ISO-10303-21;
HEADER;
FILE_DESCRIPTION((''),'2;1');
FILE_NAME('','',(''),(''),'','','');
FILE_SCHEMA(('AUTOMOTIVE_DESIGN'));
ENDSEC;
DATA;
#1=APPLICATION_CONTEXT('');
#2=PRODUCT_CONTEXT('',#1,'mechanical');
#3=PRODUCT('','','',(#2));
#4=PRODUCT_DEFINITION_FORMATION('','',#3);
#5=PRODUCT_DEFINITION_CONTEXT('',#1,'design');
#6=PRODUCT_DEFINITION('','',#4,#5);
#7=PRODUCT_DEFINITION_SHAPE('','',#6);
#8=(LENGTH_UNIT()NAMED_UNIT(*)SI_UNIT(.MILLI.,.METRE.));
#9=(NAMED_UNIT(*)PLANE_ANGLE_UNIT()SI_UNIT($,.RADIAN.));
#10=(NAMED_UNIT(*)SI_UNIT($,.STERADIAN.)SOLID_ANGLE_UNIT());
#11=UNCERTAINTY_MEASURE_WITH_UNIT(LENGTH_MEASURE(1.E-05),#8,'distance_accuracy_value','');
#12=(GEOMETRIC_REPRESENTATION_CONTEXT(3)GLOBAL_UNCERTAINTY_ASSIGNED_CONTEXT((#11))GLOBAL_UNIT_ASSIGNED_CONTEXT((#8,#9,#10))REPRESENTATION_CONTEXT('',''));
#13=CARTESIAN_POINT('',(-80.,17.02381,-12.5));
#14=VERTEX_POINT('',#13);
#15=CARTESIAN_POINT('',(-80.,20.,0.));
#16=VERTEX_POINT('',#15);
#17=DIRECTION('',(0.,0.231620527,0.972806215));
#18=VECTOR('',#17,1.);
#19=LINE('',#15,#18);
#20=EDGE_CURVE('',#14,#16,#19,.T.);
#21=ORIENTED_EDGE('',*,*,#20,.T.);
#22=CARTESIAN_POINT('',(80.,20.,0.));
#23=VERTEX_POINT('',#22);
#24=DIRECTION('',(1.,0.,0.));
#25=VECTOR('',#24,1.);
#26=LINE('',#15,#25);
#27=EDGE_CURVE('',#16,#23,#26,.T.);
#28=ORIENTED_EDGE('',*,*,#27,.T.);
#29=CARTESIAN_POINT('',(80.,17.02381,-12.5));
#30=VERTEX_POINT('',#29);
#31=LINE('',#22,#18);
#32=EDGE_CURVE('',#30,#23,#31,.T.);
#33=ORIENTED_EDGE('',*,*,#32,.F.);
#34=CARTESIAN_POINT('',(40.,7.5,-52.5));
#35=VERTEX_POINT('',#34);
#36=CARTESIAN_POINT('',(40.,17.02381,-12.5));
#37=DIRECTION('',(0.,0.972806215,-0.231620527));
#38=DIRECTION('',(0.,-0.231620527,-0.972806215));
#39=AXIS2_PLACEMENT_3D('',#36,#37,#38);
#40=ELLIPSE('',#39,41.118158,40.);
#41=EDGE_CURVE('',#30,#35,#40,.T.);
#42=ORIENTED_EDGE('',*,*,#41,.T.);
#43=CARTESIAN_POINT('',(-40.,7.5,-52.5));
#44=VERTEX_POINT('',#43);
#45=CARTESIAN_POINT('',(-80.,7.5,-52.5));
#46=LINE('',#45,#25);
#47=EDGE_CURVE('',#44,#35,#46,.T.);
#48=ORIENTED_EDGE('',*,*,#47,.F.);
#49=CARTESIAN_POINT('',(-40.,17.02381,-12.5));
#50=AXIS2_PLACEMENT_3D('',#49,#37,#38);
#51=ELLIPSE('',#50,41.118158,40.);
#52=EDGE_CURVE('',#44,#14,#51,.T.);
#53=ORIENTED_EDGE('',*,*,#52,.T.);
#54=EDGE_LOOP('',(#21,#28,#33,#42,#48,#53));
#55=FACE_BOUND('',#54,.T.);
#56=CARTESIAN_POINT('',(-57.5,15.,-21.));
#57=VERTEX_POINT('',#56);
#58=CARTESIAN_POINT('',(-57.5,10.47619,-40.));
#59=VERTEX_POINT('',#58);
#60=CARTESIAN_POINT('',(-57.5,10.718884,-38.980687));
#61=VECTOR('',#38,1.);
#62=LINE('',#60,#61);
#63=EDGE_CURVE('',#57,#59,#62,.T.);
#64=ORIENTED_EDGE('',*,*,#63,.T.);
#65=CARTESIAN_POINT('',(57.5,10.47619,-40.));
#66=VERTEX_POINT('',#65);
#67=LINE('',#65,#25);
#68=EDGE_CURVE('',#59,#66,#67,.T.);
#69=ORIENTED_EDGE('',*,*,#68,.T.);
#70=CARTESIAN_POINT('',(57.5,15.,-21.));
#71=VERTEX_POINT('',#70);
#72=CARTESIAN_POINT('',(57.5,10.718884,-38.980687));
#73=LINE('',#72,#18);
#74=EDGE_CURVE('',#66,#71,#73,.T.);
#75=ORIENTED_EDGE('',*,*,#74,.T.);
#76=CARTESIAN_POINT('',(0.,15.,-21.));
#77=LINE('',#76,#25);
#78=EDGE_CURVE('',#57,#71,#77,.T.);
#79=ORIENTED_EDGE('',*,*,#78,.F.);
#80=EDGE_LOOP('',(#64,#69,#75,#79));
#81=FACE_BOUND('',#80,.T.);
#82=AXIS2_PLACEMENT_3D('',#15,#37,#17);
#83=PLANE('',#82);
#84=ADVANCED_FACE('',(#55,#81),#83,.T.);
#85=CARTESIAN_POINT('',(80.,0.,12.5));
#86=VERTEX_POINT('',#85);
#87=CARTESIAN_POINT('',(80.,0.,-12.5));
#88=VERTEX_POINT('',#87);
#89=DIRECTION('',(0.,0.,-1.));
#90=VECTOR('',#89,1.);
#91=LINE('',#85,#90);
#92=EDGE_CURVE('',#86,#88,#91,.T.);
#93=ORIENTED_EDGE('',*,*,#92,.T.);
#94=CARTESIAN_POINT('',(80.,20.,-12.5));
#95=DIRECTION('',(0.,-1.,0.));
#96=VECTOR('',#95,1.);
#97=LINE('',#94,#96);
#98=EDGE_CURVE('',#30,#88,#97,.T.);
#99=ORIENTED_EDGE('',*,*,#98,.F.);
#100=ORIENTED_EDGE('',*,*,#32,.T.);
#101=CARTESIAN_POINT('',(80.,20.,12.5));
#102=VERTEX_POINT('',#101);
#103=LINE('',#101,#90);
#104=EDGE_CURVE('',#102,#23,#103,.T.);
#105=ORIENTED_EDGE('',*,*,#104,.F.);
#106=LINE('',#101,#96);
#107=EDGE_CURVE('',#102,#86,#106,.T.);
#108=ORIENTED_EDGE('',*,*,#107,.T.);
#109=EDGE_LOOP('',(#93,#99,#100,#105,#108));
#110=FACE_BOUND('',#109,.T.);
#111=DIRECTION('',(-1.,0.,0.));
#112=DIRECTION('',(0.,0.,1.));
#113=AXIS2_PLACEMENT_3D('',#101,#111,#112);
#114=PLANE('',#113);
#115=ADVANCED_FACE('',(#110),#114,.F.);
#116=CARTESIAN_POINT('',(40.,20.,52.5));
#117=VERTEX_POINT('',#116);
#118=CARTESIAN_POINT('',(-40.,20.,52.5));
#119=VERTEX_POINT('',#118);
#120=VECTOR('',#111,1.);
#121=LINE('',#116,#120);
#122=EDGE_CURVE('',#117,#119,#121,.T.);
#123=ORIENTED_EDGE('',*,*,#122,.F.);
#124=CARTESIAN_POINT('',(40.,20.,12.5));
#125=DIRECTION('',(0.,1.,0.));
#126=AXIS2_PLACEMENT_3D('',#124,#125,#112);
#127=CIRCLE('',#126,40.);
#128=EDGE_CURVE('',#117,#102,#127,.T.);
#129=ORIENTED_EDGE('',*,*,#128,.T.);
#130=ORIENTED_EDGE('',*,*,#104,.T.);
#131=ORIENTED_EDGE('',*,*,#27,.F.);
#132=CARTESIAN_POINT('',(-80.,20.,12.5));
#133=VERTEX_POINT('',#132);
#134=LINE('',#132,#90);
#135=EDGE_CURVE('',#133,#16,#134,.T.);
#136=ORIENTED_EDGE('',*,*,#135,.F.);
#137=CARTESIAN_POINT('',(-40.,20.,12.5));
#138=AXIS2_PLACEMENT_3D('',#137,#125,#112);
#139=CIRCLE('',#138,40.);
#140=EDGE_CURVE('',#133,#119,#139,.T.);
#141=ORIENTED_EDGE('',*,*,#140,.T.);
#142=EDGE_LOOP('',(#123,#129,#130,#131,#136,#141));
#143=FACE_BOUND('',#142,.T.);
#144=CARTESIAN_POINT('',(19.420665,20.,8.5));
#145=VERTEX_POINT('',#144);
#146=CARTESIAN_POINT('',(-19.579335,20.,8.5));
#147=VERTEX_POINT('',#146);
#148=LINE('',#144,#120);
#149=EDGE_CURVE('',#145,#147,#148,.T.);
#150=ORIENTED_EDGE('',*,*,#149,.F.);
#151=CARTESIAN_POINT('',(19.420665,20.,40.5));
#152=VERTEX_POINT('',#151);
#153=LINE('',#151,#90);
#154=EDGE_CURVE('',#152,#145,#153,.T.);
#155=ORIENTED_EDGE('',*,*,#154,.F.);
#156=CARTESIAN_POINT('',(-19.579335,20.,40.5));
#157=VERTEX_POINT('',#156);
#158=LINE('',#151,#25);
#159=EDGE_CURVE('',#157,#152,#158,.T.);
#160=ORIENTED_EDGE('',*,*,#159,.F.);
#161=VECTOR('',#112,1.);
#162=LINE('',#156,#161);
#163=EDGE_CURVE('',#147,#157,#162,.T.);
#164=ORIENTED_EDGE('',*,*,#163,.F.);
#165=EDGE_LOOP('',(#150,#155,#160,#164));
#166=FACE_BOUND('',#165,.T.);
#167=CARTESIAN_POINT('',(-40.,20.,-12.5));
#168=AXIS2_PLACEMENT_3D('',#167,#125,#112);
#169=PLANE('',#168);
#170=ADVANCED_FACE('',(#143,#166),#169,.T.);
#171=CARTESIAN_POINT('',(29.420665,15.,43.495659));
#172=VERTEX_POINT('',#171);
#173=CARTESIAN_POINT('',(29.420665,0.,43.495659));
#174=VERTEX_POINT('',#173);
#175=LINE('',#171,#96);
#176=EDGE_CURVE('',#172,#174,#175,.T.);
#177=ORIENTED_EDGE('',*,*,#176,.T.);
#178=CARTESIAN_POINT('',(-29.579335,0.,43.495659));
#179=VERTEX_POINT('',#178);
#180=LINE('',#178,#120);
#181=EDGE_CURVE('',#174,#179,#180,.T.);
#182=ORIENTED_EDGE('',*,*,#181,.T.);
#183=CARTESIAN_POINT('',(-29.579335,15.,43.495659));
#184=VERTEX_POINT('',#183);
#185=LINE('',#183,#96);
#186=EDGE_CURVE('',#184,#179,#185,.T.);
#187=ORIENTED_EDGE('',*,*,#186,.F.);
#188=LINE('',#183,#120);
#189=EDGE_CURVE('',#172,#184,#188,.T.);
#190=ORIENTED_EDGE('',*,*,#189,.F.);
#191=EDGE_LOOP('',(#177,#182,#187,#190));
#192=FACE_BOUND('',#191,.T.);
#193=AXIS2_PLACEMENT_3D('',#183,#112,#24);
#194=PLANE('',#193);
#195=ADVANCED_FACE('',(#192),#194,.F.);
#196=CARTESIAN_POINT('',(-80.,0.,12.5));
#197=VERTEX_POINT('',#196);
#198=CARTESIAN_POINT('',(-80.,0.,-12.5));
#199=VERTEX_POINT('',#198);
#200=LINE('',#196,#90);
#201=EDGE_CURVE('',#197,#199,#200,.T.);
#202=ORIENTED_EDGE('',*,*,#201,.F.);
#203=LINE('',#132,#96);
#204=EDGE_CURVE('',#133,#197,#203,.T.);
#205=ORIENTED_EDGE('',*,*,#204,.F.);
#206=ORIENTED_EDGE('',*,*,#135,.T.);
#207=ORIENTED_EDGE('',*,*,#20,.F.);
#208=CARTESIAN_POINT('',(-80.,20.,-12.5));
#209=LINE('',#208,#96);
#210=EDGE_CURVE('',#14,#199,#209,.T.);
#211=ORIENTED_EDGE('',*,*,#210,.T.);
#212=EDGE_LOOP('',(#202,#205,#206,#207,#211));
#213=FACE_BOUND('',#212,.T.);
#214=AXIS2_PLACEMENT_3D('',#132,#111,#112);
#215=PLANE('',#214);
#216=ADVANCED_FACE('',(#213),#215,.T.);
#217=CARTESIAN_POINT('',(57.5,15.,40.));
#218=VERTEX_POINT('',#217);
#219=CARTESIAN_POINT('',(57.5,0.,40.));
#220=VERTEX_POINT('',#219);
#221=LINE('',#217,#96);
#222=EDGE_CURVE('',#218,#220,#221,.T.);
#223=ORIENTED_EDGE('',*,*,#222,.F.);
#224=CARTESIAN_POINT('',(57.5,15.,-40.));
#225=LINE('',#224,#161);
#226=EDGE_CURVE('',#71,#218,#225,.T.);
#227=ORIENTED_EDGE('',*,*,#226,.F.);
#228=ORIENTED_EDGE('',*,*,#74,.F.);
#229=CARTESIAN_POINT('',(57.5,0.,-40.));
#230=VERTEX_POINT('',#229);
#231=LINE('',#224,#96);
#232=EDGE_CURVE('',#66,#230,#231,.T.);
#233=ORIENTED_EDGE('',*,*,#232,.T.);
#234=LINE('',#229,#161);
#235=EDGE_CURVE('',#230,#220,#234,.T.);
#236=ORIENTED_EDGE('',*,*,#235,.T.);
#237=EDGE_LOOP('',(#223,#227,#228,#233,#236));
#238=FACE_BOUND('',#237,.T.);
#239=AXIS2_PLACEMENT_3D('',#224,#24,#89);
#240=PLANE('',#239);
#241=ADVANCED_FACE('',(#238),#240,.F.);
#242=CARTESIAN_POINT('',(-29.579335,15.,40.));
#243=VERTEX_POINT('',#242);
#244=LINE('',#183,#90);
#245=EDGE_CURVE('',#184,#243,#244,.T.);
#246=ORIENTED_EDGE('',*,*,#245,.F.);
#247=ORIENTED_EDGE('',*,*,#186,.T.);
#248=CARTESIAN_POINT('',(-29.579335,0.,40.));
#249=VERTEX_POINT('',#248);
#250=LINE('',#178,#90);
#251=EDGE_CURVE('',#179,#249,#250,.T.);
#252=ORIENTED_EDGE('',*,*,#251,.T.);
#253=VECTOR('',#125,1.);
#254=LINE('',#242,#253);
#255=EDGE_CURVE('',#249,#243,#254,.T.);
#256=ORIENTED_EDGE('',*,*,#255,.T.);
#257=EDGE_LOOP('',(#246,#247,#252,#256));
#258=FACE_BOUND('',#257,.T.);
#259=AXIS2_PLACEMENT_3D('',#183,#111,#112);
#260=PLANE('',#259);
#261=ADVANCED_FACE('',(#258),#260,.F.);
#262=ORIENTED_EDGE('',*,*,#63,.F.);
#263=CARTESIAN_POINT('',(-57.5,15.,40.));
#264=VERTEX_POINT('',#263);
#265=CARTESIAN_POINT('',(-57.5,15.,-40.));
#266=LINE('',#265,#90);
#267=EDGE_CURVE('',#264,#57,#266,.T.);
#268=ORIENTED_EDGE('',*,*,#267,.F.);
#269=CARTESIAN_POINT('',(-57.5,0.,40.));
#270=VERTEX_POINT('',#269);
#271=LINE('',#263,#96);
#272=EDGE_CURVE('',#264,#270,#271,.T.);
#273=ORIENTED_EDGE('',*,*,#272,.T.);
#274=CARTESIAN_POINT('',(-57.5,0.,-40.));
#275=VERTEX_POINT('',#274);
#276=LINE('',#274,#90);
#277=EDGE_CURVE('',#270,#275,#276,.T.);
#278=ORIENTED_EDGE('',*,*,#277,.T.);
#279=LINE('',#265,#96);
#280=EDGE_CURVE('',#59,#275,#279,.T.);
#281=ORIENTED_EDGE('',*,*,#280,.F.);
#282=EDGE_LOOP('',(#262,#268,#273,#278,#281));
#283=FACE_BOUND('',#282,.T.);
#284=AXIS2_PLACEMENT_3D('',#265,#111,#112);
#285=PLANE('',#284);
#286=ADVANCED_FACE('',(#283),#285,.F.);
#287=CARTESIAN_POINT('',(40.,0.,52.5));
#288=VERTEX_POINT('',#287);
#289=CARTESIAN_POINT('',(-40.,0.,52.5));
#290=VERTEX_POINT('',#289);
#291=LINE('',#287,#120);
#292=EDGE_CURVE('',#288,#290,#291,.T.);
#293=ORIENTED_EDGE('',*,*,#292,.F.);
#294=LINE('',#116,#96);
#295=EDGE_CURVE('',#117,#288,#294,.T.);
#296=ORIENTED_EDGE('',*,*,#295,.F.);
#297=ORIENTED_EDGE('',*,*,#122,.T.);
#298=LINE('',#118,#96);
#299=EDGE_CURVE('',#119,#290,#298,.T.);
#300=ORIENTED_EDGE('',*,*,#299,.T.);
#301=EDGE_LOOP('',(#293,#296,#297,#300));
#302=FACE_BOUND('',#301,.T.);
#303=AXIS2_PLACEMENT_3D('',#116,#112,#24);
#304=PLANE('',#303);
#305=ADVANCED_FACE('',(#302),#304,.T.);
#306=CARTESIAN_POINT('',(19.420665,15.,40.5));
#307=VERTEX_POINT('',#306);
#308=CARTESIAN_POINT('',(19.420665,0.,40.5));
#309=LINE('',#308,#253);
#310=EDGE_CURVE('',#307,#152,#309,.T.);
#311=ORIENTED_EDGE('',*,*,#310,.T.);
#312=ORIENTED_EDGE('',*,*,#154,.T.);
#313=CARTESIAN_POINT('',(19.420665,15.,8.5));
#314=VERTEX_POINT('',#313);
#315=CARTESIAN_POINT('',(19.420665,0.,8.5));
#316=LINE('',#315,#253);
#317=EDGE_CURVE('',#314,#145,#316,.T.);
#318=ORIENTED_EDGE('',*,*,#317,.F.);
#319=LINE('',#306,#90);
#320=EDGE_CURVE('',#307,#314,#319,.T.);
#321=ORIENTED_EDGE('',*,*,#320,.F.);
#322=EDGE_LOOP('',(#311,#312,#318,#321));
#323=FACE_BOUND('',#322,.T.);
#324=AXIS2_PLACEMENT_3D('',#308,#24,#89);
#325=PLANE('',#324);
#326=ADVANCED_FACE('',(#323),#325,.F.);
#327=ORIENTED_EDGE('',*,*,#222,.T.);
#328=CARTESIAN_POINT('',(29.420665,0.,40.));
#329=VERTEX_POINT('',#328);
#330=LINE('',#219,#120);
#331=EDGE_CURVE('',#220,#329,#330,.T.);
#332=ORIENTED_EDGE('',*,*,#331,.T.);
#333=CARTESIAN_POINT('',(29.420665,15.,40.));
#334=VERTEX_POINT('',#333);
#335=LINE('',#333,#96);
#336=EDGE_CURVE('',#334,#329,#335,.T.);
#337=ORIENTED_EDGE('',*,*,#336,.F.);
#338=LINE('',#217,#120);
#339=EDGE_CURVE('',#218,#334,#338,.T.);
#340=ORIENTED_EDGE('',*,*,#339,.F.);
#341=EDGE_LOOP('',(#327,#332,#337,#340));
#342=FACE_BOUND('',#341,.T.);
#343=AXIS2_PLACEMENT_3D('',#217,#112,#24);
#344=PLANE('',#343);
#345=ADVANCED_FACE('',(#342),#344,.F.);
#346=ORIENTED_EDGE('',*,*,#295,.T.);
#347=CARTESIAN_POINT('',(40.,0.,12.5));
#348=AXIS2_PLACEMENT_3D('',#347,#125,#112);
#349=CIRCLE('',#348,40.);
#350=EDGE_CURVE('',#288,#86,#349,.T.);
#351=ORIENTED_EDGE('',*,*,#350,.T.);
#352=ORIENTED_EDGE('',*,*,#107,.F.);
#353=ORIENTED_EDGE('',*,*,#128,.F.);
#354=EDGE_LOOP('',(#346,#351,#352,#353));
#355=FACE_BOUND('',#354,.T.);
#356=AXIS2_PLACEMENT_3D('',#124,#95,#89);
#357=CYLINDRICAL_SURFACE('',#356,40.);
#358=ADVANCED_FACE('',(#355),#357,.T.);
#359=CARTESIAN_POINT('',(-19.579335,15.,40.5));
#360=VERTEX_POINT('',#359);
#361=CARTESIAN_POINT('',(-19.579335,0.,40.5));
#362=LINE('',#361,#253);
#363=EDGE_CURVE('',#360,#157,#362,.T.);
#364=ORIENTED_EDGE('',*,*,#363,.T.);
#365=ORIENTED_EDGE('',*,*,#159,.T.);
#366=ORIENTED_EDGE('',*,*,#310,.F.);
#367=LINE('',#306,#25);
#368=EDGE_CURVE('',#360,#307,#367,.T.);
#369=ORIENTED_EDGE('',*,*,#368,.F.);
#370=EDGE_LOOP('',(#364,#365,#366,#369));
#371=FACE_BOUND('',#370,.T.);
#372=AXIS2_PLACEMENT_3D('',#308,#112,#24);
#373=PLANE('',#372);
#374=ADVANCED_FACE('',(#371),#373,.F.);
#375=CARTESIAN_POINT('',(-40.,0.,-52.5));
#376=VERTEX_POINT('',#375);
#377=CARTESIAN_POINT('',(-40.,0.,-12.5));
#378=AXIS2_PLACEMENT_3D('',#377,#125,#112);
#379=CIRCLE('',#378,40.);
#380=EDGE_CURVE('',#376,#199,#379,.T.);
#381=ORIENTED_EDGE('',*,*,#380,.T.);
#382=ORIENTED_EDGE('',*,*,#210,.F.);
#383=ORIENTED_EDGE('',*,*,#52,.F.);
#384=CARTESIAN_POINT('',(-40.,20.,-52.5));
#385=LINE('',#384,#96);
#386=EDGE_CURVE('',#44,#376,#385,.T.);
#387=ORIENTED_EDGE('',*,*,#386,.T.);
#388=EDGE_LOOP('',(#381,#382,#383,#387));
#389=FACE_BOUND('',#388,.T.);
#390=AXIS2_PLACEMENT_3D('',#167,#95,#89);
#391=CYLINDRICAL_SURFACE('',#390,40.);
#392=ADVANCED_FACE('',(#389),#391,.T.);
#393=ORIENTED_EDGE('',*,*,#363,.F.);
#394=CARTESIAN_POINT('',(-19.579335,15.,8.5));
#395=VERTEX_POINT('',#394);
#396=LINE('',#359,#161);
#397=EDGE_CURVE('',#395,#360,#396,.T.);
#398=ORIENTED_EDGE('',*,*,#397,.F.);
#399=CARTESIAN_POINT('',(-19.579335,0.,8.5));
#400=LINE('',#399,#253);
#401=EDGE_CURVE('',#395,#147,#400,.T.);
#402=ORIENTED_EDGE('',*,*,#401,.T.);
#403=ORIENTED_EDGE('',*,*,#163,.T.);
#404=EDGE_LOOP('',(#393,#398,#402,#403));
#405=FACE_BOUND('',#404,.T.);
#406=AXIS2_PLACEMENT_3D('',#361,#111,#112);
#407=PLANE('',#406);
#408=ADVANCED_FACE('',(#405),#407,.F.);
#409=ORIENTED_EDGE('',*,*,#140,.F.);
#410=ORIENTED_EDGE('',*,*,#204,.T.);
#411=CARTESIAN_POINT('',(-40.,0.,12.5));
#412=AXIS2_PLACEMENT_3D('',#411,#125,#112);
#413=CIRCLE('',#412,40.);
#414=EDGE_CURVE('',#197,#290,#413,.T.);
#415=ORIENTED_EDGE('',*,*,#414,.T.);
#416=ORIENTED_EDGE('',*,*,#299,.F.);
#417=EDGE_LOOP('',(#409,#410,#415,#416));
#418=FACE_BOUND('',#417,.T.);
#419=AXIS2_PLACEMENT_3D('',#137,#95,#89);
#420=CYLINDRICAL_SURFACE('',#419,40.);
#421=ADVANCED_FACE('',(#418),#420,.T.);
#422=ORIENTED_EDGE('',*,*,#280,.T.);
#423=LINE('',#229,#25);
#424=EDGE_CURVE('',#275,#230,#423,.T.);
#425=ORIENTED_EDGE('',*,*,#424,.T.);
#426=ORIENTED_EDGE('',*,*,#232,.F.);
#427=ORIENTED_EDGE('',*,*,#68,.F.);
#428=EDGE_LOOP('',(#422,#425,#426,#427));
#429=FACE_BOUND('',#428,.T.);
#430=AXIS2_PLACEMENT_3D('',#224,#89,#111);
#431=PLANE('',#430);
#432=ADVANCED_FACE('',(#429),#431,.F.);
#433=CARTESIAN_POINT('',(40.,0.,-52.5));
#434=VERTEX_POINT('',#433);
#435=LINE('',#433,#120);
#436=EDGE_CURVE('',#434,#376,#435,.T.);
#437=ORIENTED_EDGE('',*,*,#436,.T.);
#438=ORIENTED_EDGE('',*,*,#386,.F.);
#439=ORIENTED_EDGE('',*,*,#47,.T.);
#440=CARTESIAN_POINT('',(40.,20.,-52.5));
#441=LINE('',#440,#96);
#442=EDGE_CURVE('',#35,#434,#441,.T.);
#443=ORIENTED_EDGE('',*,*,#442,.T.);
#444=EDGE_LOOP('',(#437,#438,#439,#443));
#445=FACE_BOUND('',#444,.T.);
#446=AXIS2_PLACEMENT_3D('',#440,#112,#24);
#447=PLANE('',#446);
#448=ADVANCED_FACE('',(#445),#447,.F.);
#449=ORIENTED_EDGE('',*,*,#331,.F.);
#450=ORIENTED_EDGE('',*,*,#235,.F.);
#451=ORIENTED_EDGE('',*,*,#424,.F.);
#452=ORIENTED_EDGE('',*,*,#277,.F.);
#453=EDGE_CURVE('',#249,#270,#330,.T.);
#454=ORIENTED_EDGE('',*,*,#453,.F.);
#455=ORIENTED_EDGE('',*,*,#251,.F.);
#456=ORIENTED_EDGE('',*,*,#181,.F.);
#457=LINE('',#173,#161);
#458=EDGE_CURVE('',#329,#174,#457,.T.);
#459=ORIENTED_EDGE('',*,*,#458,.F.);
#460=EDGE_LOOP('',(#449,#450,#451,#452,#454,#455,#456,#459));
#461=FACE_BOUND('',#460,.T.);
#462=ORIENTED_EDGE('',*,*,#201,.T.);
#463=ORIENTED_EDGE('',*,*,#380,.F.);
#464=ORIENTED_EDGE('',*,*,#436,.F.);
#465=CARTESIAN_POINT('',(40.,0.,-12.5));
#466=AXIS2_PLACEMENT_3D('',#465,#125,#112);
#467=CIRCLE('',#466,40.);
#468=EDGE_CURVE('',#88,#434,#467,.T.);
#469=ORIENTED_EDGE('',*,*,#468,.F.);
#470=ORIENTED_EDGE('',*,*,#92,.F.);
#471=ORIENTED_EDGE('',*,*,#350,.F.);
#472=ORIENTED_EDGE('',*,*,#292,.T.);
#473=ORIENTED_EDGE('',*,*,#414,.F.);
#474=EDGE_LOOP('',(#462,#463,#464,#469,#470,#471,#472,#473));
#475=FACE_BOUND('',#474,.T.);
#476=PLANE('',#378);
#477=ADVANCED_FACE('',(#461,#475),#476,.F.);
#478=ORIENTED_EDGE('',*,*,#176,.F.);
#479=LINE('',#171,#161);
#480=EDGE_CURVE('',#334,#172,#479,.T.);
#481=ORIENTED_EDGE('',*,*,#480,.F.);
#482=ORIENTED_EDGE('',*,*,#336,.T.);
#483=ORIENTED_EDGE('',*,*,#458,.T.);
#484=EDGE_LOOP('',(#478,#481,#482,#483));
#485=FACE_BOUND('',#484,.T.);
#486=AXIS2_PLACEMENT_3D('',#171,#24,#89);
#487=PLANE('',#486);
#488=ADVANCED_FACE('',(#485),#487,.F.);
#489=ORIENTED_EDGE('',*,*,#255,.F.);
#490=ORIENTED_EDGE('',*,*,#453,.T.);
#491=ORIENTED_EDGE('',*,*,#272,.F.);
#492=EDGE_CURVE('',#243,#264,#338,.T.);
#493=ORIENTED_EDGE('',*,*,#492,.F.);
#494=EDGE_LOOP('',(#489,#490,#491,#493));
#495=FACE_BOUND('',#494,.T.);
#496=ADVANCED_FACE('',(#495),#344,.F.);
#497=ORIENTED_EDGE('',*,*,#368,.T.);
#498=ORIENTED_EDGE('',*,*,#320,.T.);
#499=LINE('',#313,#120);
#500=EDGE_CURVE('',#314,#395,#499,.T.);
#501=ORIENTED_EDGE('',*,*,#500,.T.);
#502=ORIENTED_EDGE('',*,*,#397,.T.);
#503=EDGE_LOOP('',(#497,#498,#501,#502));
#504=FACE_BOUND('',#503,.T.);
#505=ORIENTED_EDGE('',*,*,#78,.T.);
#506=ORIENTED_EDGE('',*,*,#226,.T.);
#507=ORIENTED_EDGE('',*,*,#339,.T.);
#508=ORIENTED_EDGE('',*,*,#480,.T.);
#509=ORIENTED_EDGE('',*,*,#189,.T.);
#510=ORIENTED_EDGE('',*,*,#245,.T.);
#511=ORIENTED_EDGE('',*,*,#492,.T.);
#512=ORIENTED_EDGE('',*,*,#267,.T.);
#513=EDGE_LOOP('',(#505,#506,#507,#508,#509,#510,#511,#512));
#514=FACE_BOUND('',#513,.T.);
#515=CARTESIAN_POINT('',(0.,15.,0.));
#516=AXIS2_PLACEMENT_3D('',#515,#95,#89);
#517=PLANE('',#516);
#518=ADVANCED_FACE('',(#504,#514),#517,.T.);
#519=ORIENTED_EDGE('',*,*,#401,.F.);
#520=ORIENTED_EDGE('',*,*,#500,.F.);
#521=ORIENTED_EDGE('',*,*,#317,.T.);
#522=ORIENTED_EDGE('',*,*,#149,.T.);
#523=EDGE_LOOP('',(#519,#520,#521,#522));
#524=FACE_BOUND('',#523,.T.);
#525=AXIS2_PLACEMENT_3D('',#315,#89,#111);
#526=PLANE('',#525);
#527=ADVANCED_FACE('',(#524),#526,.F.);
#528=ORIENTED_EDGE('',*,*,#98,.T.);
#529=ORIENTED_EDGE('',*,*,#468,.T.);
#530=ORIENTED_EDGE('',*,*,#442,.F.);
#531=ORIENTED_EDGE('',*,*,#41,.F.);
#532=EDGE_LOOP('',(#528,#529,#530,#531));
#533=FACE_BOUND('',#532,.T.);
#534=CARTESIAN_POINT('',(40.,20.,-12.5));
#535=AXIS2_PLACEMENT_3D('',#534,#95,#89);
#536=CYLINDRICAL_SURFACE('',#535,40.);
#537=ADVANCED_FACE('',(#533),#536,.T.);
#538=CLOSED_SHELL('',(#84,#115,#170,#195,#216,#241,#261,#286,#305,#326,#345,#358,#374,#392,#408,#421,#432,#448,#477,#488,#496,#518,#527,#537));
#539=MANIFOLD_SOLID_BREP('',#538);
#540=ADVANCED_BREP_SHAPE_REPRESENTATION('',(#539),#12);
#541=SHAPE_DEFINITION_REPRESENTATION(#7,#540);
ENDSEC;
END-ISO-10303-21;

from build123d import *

# Parameters (mm, degrees)
BOSS_EXTRUDE1_DEPTH = 20
SKETCH5_W           = 39
SKETCH5_H           = 32
CUT_EXTRUDE1_DEPTH  = 98.75607398
SKETCH6_W           = 59
SKETCH6_H           = 54.995658629
CUT_EXTRUDE2_DEPTH  = 15
SKETCH7_W           = 115
SKETCH7_H           = 80
CUT_EXTRUDE3_DEPTH  = 15
SKETCH8_OUTSIDE_W   = 145.484
SKETCH8_OUTSIDE_H   = 60.484
CUT_EXTRUDE4_DEPTH  = 170.576678821


with BuildPart() as part:
    # Sketch1 → Boss-Extrude1 (new body)
    with BuildSketch(Plane(origin=(0, 0, 0), x_dir=(1, 0, 0), z_dir=(0, 1, 0))):
        with BuildLine():
            Line((40, -52.5), (-40, -52.5))
            ThreePointArc((-40, -52.5), (-68.284271247, -40.784271247), (-80, -12.5))
            Line((-80, -12.5), (-80, 12.5))
            ThreePointArc((-80, 12.5), (-68.284271247, 40.784271247), (-40, 52.5))
            Line((-40, 52.5), (40, 52.5))
            ThreePointArc((40, 52.5), (68.284271247, 40.784271247), (80, 12.5))
            Line((80, 12.5), (80, -12.5))
            ThreePointArc((80, -12.5), (68.284271247, -40.784271247), (40, -52.5))
        make_face()
    extrude(amount=BOSS_EXTRUDE1_DEPTH)

    # Sketch5 → Cut-Extrude1 (cut, through all)
    with BuildSketch(Plane(origin=(0, 20, 0), x_dir=(1, 0, 0), z_dir=(0, 1, 0))):
        with Locations((-0.079334532, -24.5)):
            Rectangle(SKETCH5_W, SKETCH5_H)
    extrude(amount=-CUT_EXTRUDE1_DEPTH, mode=Mode.SUBTRACT)

    # Sketch6 → Cut-Extrude2 (cut)
    with BuildSketch(Plane.XZ):
        with Locations((-0.079334532, 15.997829315)):
            Rectangle(SKETCH6_W, SKETCH6_H)
    extrude(amount=-CUT_EXTRUDE2_DEPTH, mode=Mode.SUBTRACT)

    # Sketch7 → Cut-Extrude3 (cut)
    with BuildSketch(Plane.XZ):
        Rectangle(SKETCH7_W, SKETCH7_H)
    extrude(amount=-CUT_EXTRUDE3_DEPTH, mode=Mode.SUBTRACT)

    # Sketch8 outside → Cut-Extrude4 (cut, through all)
    with BuildSketch(Plane(origin=(80, 0, 0), x_dir=(0, 0, -1), z_dir=(1, 0, 0))):
        with Locations((0, 10)):
            Rectangle(SKETCH8_OUTSIDE_W, SKETCH8_OUTSIDE_H)
        Polygon((0, 20), (52.5, 7.5), (52.5, 0), (-27.5, 0), (-52.5, 0), (-52.5, 20), (-27.5, 20), align=None, mode=Mode.SUBTRACT)
    extrude(amount=-CUT_EXTRUDE4_DEPTH, mode=Mode.SUBTRACT)


solid = part.part
